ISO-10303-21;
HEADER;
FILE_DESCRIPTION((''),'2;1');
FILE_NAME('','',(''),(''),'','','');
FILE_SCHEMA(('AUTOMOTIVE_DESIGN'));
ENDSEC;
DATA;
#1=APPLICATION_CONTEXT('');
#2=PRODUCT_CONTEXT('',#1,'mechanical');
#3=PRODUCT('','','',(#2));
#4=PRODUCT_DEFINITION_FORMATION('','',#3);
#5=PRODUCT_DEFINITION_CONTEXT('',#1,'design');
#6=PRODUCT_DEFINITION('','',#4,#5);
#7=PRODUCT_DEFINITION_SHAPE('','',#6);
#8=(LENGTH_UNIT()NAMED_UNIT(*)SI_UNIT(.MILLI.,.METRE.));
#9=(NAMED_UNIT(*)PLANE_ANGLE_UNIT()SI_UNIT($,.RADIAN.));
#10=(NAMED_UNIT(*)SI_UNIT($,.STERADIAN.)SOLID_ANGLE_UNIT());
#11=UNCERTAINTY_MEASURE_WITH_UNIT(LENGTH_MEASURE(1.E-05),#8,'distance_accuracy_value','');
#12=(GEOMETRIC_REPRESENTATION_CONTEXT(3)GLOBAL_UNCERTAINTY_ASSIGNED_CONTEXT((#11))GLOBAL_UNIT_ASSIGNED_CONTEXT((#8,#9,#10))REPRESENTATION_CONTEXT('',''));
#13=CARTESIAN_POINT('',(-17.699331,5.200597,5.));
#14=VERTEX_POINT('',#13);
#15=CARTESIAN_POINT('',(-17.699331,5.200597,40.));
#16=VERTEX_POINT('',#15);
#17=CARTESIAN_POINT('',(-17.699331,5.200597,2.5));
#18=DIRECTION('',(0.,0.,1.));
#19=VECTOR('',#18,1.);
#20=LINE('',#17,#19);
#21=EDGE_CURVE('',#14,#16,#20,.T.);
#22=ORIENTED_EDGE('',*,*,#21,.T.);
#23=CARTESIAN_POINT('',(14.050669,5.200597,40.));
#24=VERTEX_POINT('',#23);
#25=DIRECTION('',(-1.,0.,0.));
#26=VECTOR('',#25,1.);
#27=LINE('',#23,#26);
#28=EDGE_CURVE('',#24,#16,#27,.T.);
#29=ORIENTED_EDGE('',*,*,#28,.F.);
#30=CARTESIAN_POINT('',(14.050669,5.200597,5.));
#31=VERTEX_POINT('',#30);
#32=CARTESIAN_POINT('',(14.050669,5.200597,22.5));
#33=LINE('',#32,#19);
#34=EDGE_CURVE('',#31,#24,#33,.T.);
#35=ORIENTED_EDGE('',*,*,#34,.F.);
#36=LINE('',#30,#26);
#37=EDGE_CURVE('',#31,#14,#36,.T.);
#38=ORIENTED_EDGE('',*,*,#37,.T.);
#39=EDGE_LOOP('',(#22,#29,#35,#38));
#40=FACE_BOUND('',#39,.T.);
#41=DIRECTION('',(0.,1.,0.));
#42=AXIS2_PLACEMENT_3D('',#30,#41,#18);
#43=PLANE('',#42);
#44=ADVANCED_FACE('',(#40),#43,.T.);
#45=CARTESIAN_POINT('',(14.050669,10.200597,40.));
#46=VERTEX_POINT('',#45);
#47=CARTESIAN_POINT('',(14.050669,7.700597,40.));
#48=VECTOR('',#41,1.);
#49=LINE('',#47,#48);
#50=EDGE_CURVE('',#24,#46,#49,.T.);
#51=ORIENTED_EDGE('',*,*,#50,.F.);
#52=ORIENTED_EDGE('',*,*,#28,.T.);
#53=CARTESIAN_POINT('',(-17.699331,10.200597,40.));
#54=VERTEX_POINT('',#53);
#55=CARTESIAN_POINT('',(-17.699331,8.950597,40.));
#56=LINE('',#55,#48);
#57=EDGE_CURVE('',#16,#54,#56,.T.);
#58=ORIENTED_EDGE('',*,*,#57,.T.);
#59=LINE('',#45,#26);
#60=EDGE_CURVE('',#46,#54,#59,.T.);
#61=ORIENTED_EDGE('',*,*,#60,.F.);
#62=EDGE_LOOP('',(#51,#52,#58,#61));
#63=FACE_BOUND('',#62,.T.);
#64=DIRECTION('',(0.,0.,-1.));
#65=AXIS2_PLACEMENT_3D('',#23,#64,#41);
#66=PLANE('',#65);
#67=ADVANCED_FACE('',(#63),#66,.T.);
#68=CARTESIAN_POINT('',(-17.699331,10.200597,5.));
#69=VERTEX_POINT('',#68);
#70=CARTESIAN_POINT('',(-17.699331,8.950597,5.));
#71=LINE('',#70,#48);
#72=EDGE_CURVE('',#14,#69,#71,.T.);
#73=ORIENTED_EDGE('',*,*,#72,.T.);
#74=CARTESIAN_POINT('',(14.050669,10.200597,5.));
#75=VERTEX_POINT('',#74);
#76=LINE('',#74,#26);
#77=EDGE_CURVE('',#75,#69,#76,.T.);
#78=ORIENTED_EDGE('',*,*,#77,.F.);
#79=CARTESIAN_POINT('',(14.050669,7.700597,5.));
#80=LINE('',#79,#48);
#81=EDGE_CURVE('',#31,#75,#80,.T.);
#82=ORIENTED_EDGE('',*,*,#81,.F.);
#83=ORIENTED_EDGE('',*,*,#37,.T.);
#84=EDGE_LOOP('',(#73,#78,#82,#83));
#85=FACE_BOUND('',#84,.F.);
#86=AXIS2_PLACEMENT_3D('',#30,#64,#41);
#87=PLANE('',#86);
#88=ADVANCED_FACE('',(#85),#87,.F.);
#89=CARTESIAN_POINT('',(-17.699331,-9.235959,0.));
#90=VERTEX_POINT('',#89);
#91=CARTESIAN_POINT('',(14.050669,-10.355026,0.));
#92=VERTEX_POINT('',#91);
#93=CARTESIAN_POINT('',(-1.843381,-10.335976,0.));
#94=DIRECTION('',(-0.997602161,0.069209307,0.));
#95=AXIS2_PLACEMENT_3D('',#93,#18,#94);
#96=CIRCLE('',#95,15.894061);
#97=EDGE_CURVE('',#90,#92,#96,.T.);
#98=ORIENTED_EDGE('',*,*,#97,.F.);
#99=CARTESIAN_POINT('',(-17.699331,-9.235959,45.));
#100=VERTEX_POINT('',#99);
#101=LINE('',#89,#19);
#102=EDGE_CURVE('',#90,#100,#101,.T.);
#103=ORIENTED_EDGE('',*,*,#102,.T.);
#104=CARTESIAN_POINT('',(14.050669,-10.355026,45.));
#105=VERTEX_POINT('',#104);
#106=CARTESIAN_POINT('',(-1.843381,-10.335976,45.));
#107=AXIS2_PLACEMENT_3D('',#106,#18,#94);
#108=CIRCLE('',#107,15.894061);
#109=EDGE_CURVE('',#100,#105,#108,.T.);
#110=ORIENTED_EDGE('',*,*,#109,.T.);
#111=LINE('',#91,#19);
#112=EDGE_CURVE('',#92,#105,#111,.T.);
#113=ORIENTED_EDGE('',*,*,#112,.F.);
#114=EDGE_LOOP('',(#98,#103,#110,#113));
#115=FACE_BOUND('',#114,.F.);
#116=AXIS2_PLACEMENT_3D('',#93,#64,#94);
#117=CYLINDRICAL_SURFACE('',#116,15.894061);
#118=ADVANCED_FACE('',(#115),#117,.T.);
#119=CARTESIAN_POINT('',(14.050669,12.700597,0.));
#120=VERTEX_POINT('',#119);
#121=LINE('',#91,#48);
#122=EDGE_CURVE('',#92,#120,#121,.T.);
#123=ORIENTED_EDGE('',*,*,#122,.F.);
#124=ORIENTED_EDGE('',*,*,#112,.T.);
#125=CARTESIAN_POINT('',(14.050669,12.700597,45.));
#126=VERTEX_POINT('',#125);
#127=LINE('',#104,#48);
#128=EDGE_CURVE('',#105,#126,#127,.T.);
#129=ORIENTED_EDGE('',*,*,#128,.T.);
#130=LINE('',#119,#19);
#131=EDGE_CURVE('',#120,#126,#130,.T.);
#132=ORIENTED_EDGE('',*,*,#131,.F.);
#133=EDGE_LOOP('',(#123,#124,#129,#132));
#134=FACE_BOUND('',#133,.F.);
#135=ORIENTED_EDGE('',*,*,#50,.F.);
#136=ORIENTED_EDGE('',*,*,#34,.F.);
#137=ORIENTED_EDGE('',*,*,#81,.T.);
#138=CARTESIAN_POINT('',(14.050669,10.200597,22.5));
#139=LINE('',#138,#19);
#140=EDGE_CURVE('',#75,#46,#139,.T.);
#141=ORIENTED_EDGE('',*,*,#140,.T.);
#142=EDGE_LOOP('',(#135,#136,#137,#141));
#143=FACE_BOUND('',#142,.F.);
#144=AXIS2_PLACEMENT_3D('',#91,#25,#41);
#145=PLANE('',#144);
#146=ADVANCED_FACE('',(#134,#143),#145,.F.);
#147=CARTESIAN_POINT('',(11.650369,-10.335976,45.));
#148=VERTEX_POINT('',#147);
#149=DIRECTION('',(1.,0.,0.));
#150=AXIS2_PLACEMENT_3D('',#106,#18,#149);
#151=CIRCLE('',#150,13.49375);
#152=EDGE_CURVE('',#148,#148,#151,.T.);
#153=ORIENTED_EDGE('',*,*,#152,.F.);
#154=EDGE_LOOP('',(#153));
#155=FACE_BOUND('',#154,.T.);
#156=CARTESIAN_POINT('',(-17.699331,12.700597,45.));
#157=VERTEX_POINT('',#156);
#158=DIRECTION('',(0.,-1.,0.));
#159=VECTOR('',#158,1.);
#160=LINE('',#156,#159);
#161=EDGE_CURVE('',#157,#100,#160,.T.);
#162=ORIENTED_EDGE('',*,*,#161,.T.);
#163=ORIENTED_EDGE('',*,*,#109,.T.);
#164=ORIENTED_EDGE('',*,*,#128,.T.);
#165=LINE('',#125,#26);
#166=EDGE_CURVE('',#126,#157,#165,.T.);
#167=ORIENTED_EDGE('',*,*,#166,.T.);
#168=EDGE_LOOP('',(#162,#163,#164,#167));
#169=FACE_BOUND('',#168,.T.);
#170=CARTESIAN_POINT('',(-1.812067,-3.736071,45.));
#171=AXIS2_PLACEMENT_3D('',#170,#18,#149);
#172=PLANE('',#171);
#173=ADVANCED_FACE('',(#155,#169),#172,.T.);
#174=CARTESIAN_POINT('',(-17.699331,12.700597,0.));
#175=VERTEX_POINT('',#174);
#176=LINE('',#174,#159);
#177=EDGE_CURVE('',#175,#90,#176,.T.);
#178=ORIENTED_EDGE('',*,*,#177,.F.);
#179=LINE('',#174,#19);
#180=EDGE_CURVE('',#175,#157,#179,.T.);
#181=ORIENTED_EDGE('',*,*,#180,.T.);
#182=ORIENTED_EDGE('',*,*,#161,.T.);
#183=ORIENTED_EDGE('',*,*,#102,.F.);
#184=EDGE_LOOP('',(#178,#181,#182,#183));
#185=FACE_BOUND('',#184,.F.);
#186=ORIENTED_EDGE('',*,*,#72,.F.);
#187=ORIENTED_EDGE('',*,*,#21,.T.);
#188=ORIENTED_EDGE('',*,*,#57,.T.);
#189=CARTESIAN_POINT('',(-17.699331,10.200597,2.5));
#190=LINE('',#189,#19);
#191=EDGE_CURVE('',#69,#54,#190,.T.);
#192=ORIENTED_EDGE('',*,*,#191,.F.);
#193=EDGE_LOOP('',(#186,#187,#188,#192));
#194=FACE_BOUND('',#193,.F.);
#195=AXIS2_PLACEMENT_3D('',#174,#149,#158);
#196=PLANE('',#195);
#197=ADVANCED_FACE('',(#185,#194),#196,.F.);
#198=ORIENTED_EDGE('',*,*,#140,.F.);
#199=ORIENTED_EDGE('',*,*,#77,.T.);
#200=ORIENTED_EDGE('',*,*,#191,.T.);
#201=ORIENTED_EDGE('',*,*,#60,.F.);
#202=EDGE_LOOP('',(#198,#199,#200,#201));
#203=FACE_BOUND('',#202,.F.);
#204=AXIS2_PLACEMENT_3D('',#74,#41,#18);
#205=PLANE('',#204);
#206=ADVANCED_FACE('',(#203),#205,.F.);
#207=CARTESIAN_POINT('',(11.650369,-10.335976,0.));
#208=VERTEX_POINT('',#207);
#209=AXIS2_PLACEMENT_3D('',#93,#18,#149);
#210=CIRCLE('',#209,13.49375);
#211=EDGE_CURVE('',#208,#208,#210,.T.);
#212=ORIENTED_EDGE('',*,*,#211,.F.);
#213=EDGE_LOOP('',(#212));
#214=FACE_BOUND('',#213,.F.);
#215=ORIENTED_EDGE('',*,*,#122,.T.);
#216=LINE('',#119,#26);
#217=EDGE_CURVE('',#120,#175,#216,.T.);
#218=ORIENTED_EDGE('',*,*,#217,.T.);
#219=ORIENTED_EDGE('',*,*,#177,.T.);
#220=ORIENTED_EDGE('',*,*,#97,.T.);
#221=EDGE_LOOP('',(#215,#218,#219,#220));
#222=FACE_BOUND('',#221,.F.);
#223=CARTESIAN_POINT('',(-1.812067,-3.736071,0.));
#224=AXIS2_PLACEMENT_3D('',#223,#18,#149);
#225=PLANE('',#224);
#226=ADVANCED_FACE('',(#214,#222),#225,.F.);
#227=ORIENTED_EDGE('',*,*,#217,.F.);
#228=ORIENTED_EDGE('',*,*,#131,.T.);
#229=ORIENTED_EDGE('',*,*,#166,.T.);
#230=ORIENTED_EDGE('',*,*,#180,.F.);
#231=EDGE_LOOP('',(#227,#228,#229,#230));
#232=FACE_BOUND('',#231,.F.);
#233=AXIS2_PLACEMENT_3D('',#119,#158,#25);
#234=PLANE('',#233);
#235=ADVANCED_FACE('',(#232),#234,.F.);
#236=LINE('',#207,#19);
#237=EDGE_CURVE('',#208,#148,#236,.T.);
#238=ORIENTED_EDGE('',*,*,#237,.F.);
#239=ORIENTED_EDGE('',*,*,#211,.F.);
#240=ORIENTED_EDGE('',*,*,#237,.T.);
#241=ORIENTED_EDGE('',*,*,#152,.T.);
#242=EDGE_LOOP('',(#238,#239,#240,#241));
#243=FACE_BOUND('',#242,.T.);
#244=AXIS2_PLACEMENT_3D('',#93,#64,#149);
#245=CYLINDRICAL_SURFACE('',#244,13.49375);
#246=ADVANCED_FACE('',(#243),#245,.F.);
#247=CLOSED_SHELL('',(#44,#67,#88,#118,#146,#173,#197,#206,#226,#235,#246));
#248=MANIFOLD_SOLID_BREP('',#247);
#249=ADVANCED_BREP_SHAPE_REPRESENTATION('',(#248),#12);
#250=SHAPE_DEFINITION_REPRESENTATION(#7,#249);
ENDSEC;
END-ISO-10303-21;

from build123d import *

# Parameters (mm, degrees)
F0_R     = 13.49375
F1_DEPTH = 45
F2_W     = 5
F2_H     = 35
F3_DEPTH = 33.8074


with BuildPart() as f1:
    # F0 (on Top) → F1 (new body)
    with BuildSketch(Plane.XY):
        with BuildLine():
            Line((14.050669, 12.700597), (-17.699331, 12.700597))
            Line((-17.699331, 12.700597), (-17.699331, -9.235959))
            ThreePointArc((-17.699331, -9.235959), (-2.403239, -26.220174), (14.050669, -10.355026))
            Line((14.050669, -10.355026), (14.050669, -10.316926))
            Line((14.050669, -10.316926), (14.050669, 12.700597))
        make_face()
        with Locations((-1.843381, -10.335976)):
            Circle(F0_R, mode=Mode.SUBTRACT)
    extrude(amount=F1_DEPTH)

    # F2 (on face) → F3 (cut)
    with BuildSketch(Plane.YZ.offset(14.050669)):
        with Locations((7.700597, 22.5)):
            Rectangle(F2_W, F2_H)
    extrude(amount=-F3_DEPTH, mode=Mode.SUBTRACT)


solid = f1.part
